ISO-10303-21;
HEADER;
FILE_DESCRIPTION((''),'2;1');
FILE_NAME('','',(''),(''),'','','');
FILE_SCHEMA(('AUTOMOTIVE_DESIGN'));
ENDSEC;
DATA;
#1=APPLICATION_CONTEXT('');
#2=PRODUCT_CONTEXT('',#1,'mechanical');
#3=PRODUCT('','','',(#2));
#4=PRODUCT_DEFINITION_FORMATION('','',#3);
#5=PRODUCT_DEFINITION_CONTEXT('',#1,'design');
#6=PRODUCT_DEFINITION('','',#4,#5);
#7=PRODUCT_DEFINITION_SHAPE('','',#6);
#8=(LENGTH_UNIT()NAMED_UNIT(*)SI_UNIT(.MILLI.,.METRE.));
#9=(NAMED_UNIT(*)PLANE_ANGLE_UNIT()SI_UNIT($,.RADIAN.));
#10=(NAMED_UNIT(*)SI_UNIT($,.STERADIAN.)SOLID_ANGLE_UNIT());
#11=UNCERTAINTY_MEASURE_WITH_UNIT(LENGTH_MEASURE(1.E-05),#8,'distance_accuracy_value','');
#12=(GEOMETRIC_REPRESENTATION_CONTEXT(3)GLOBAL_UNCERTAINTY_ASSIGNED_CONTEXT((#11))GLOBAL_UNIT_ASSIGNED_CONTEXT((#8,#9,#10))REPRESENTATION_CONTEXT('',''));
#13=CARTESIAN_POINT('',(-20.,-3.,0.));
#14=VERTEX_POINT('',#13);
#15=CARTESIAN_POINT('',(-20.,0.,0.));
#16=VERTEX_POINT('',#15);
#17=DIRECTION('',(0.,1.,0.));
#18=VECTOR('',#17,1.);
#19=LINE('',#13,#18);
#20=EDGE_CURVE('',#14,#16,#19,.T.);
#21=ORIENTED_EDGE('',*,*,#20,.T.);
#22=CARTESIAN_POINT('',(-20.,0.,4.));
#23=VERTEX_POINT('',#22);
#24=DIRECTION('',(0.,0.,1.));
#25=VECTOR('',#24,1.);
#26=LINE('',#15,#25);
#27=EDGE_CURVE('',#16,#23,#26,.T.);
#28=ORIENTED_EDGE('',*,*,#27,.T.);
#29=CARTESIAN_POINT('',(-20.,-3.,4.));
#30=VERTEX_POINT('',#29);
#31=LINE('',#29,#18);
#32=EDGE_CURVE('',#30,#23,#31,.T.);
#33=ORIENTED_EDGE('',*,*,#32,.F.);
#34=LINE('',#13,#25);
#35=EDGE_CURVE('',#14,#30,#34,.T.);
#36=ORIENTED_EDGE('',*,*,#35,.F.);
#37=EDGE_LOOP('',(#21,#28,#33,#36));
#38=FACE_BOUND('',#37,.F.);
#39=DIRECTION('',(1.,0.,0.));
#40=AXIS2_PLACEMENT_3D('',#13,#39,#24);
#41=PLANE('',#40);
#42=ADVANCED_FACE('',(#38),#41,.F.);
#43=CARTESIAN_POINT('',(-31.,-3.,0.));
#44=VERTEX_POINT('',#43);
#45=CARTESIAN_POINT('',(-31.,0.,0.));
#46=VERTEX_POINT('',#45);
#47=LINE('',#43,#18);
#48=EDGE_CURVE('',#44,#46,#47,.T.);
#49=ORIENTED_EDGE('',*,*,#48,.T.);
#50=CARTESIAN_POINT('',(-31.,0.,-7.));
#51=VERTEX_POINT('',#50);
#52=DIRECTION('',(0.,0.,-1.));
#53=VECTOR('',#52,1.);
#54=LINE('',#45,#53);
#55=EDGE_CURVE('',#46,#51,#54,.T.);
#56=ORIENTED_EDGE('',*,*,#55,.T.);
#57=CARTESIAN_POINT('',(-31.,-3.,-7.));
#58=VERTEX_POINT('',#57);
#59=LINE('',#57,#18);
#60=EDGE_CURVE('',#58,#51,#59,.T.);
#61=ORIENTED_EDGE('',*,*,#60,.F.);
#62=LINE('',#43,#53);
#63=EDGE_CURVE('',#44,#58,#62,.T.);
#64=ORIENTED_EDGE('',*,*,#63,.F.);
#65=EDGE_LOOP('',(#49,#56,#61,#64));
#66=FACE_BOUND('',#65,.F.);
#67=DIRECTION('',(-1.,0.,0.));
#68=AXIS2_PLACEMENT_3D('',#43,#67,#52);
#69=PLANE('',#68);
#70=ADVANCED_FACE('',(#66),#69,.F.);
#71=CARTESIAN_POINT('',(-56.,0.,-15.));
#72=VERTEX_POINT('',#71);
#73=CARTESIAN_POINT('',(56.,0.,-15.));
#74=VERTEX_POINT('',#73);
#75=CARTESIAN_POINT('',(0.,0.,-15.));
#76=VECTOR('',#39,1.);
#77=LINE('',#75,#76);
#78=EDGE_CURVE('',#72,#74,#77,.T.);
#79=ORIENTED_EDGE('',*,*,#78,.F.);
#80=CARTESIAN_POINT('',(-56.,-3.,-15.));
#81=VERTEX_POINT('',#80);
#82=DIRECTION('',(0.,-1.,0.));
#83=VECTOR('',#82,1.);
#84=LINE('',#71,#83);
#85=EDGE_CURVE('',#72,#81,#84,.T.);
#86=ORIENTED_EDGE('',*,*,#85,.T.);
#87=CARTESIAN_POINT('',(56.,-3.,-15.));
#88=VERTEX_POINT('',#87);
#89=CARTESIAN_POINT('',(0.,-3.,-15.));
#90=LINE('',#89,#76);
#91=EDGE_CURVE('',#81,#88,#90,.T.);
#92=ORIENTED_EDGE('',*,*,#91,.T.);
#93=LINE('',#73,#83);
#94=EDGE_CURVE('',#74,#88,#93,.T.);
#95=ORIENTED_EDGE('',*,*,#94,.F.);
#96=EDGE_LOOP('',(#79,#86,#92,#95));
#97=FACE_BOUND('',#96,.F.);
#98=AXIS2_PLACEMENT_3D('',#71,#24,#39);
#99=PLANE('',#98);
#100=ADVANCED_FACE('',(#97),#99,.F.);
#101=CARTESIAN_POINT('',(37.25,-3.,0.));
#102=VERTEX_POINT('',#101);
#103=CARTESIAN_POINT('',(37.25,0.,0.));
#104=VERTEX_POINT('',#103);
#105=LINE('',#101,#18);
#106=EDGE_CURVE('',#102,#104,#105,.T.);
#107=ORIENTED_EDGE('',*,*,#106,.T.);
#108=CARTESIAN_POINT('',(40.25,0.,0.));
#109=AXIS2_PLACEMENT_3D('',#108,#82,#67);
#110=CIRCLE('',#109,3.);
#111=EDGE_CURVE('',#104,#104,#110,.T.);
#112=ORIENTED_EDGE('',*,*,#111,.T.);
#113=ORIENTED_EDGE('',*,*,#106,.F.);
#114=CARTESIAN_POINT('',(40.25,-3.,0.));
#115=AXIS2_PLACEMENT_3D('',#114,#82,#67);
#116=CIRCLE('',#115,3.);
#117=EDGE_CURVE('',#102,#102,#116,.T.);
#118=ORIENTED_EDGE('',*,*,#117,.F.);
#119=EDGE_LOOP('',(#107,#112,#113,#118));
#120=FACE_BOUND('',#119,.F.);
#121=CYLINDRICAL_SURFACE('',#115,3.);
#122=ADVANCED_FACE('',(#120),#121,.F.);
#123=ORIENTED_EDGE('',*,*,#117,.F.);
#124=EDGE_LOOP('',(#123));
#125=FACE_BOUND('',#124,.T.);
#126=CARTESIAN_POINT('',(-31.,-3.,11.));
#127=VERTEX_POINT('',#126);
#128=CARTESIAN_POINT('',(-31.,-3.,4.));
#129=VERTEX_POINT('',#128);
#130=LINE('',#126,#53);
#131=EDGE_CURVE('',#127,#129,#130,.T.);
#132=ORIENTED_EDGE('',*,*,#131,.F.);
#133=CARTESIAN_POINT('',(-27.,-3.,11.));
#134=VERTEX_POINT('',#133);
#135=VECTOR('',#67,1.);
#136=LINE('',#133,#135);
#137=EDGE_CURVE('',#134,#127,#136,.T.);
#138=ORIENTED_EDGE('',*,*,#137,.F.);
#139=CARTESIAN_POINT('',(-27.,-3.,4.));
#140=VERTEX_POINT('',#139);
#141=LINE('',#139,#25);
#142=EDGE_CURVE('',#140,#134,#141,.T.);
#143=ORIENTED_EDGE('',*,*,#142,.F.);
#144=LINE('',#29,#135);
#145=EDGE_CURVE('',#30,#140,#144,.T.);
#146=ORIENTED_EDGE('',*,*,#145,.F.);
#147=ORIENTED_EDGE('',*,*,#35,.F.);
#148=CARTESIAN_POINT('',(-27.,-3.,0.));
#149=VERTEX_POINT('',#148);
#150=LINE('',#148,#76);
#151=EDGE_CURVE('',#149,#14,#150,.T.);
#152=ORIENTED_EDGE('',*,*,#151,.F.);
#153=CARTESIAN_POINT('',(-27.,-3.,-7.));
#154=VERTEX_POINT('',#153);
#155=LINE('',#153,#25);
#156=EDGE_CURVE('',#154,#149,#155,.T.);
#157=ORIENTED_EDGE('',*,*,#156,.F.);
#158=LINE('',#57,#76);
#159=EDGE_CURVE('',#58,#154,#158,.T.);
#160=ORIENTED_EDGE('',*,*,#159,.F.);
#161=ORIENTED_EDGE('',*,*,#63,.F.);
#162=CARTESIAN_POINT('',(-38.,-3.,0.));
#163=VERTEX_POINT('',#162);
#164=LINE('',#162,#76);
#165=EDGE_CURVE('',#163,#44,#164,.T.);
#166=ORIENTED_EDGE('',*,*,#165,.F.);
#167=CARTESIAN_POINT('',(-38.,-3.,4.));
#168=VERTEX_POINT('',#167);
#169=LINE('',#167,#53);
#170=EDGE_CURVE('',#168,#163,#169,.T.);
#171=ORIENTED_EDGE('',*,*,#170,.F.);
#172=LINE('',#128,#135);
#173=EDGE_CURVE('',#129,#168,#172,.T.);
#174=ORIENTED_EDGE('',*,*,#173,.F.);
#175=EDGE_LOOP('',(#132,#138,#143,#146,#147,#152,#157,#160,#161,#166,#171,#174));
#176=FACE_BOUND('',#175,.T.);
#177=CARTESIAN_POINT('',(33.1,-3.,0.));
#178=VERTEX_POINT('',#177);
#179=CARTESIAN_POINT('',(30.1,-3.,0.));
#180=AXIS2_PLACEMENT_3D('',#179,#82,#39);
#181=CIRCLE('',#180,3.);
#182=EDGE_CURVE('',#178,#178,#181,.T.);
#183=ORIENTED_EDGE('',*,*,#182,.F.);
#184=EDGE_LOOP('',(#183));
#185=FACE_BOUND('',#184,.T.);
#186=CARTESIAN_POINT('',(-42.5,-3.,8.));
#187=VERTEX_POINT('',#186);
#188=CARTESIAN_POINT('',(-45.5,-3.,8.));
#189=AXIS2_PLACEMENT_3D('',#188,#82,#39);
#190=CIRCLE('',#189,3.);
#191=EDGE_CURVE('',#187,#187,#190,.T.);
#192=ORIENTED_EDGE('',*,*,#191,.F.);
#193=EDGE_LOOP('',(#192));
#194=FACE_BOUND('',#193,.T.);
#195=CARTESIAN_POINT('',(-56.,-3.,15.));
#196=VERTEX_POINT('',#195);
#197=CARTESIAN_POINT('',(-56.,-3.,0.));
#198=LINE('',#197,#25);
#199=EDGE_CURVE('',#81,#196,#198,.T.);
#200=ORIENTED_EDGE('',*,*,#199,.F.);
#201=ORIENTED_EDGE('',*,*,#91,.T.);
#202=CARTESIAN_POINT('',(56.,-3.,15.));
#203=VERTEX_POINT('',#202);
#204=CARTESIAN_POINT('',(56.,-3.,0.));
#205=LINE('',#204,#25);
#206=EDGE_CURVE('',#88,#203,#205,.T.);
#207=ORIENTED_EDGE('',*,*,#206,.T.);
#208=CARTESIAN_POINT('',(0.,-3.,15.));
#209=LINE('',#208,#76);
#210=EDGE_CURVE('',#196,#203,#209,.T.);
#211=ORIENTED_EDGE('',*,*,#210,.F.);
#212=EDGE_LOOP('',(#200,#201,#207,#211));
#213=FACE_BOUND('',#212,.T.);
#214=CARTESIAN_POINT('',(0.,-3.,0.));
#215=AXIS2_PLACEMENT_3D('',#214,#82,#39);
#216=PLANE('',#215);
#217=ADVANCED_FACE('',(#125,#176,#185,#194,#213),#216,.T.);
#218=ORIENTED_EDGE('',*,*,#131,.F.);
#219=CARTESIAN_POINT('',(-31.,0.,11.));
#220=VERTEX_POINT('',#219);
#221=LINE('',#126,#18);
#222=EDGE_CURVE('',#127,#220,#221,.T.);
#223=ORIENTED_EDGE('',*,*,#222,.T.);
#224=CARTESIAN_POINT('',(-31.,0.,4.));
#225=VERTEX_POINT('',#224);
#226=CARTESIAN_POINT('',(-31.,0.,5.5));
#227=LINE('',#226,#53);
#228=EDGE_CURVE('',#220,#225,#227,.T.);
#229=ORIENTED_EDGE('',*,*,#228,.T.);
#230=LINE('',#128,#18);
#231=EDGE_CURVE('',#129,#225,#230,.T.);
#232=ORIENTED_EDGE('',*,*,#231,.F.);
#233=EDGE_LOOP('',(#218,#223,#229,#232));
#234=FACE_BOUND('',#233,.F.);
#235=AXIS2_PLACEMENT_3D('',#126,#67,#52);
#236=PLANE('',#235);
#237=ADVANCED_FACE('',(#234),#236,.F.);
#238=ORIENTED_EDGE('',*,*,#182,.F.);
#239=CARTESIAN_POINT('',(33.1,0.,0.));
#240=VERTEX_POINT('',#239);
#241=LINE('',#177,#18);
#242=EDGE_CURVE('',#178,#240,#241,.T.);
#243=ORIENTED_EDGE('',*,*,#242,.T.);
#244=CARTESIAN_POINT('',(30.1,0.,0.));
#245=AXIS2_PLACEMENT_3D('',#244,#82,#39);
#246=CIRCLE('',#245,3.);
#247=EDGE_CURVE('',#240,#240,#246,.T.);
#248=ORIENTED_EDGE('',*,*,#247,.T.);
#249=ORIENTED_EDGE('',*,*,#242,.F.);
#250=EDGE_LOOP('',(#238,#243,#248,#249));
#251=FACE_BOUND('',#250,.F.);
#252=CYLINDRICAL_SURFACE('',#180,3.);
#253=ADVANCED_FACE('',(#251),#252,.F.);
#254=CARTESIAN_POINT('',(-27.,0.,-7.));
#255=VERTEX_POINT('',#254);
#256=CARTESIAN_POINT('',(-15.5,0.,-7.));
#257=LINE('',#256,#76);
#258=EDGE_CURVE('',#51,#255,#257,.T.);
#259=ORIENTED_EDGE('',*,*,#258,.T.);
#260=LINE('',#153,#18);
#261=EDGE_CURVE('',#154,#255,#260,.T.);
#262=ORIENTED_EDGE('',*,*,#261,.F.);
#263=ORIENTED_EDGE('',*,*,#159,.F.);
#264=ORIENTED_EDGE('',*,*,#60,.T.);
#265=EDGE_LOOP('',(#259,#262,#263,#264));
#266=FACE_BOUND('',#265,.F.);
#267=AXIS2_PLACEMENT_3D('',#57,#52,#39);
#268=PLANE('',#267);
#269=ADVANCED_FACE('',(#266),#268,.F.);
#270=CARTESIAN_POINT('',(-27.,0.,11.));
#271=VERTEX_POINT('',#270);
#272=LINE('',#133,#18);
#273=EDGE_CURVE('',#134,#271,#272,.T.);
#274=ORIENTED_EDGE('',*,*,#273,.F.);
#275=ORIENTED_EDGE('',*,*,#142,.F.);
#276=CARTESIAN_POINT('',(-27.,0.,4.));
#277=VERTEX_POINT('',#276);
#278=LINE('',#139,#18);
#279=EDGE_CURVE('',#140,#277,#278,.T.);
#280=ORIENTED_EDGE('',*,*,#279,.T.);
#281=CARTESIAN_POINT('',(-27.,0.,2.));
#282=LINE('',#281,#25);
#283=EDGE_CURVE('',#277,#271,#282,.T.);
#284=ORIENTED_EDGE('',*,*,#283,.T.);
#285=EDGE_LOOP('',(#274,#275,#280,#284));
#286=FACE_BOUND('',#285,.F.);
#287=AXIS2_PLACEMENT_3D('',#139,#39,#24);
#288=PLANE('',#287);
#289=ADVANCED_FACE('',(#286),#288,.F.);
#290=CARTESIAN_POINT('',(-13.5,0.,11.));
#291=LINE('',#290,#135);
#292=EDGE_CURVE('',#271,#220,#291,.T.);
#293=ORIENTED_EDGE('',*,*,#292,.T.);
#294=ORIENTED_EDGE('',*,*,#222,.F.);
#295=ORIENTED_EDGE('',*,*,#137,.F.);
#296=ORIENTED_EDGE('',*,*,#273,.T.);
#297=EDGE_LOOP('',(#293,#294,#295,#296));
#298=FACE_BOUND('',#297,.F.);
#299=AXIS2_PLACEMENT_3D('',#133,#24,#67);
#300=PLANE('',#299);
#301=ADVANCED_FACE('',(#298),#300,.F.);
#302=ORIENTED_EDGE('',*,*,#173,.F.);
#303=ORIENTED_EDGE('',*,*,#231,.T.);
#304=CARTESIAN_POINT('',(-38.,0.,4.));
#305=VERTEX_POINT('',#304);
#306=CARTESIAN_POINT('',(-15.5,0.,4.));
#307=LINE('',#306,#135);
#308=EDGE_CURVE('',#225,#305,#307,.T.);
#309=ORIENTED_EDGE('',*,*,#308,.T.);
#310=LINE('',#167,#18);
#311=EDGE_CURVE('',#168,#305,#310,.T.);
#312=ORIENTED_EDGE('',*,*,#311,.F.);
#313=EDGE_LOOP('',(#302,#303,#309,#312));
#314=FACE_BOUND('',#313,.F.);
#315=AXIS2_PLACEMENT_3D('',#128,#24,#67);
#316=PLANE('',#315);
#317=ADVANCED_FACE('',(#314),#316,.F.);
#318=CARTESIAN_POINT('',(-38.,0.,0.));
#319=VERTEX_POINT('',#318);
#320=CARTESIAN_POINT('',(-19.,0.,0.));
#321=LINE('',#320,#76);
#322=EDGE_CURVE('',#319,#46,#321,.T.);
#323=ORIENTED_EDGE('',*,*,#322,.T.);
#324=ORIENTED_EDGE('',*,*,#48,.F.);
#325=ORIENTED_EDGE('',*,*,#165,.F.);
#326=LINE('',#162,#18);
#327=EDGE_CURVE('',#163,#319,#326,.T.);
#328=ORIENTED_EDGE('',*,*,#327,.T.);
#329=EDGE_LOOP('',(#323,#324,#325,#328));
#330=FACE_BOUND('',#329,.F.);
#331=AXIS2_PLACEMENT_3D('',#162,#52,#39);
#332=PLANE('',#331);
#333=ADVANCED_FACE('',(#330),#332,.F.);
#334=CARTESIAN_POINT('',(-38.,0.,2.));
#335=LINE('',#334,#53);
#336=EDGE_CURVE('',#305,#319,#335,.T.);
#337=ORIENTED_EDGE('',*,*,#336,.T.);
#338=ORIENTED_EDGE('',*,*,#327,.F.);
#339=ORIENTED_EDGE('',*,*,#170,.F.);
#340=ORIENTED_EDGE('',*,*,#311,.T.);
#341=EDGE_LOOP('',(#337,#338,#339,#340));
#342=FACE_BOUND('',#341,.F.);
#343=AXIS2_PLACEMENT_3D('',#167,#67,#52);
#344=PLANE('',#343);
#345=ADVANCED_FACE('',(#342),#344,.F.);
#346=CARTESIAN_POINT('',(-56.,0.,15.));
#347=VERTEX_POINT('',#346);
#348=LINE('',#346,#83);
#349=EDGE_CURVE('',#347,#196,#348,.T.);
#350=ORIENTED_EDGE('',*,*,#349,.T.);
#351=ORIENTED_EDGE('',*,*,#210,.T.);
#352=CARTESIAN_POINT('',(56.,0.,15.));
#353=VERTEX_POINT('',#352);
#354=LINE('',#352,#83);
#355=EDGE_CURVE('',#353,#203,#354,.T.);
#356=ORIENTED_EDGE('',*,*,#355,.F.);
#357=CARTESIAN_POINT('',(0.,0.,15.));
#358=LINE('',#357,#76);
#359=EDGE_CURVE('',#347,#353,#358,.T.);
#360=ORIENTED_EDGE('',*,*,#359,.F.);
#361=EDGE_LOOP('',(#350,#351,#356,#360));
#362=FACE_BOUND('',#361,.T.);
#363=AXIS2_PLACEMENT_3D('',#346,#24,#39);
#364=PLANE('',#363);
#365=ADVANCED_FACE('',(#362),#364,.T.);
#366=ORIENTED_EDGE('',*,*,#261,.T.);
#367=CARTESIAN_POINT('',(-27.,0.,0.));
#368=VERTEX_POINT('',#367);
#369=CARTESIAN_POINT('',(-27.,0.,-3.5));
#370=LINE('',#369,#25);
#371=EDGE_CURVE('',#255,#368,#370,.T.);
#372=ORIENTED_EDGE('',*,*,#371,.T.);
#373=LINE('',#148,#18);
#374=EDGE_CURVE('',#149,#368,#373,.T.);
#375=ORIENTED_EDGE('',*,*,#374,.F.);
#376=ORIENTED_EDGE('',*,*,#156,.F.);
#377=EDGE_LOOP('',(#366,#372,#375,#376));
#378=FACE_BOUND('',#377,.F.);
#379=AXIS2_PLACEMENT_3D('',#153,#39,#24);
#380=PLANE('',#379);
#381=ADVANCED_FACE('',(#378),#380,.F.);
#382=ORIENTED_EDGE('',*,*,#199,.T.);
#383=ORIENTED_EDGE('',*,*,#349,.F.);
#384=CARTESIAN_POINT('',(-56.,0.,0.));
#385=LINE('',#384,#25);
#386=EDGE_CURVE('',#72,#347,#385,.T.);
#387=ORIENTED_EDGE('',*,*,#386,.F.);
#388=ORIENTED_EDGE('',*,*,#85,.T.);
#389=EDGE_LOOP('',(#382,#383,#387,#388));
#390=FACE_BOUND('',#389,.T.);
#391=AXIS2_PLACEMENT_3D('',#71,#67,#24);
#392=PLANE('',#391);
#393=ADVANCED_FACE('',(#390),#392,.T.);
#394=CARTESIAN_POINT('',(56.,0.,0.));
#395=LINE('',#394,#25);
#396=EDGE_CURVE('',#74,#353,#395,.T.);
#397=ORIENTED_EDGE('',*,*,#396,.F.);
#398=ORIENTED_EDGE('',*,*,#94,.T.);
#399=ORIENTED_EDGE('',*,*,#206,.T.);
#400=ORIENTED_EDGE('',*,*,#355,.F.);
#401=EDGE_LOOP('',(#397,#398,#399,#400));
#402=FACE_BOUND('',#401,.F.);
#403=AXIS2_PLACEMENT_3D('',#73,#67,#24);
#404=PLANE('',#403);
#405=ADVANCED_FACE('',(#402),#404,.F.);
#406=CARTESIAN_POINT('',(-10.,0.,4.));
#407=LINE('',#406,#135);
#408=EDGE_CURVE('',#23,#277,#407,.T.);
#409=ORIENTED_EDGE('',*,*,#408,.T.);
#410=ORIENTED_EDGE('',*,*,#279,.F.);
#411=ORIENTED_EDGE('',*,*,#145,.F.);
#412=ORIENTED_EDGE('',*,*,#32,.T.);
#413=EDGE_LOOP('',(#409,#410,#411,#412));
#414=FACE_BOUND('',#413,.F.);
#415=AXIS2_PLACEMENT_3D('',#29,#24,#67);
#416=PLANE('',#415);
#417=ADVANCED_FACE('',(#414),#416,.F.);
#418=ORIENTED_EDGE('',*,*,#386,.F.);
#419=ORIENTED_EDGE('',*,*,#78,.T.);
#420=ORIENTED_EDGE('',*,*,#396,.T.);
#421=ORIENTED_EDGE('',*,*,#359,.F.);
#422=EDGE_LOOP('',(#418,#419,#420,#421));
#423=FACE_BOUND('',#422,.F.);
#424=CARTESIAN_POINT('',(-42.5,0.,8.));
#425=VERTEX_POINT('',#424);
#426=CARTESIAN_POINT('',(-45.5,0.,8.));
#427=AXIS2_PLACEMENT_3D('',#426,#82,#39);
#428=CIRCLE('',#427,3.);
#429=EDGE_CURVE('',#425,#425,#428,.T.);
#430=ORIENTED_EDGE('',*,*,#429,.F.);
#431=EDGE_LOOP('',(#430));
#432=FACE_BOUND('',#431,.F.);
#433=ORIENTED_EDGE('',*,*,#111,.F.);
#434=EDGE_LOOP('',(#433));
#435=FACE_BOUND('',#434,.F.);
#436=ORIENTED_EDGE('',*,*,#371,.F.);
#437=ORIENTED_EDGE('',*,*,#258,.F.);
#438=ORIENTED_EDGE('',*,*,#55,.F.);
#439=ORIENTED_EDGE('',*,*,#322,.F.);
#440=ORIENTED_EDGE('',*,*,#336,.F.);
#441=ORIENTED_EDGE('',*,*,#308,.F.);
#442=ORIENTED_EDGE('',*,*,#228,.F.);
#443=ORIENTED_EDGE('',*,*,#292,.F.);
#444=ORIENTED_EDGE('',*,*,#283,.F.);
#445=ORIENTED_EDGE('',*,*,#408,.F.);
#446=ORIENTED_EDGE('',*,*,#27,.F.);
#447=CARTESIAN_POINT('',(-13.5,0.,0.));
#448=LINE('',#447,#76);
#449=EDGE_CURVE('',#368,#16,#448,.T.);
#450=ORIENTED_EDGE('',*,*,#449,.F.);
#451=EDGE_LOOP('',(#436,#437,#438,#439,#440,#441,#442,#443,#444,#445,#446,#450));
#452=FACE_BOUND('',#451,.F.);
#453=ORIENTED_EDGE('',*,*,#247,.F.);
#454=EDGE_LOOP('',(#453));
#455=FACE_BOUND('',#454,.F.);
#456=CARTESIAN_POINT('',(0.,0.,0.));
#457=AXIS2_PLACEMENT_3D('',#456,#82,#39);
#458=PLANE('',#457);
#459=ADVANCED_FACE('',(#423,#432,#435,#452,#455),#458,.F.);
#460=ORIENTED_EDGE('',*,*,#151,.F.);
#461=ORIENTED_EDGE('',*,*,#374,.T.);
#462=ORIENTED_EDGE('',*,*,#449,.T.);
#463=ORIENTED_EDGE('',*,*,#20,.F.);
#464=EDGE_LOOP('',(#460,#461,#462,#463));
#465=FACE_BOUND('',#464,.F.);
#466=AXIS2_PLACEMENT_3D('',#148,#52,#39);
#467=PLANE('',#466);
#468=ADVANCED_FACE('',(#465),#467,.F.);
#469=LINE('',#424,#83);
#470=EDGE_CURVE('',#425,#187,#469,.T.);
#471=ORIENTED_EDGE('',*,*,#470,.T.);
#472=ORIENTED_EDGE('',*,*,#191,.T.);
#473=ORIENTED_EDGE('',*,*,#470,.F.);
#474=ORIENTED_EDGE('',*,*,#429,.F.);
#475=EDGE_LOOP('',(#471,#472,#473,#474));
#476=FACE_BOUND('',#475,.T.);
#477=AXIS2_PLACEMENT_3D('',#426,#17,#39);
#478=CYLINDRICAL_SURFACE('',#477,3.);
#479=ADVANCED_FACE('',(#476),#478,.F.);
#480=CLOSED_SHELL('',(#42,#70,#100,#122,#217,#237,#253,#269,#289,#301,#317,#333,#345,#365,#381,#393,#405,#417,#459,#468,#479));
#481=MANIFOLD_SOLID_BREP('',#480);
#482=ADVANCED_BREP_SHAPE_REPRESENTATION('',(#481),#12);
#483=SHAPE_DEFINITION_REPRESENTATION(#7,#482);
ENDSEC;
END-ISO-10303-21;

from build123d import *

# Parameters (mm, degrees)
F0_W     = 112
F0_H     = 30
F0_R     = 3
F1_DEPTH = 3
F3_DEPTH = 25
F4_R     = 3
F5_DEPTH = 25


with BuildPart() as f1:
    # F0 (on Front) → F1 (new body)
    with BuildSketch(Plane.XZ):
        Rectangle(F0_W, F0_H)
        with Locations((-45.5, 8)):
            Circle(F0_R, mode=Mode.SUBTRACT)
    extrude(amount=F1_DEPTH)

    # F2 (on face) → F3 (cut)
    with BuildSketch(Plane.XZ.offset(3)):
        Polygon((-38, 4), (-38, 2), (-38, 0), (-31, 0), (-31, -7), (-29, -7), (-27, -7), (-27, 0), (-20, 0), (-20, 2), (-20, 4), (-27, 4), (-27, 11), (-29, 11), (-31, 11), (-31, 4), align=None)
    extrude(amount=-F3_DEPTH, mode=Mode.SUBTRACT)

    # F4 (on face) → F5 (cut)
    with BuildSketch(Plane.XZ.offset(3)):
        with Locations((30.1, 0)):
            Circle(F4_R)
        with BuildLine():
            ThreePointArc((43.25, 0), (40.25, 3), (37.25, 0))
            ThreePointArc((37.25, 0), (40.25, -3), (43.25, 0))
        make_face()
    extrude(amount=-F5_DEPTH, mode=Mode.SUBTRACT)


solid = f1.part
